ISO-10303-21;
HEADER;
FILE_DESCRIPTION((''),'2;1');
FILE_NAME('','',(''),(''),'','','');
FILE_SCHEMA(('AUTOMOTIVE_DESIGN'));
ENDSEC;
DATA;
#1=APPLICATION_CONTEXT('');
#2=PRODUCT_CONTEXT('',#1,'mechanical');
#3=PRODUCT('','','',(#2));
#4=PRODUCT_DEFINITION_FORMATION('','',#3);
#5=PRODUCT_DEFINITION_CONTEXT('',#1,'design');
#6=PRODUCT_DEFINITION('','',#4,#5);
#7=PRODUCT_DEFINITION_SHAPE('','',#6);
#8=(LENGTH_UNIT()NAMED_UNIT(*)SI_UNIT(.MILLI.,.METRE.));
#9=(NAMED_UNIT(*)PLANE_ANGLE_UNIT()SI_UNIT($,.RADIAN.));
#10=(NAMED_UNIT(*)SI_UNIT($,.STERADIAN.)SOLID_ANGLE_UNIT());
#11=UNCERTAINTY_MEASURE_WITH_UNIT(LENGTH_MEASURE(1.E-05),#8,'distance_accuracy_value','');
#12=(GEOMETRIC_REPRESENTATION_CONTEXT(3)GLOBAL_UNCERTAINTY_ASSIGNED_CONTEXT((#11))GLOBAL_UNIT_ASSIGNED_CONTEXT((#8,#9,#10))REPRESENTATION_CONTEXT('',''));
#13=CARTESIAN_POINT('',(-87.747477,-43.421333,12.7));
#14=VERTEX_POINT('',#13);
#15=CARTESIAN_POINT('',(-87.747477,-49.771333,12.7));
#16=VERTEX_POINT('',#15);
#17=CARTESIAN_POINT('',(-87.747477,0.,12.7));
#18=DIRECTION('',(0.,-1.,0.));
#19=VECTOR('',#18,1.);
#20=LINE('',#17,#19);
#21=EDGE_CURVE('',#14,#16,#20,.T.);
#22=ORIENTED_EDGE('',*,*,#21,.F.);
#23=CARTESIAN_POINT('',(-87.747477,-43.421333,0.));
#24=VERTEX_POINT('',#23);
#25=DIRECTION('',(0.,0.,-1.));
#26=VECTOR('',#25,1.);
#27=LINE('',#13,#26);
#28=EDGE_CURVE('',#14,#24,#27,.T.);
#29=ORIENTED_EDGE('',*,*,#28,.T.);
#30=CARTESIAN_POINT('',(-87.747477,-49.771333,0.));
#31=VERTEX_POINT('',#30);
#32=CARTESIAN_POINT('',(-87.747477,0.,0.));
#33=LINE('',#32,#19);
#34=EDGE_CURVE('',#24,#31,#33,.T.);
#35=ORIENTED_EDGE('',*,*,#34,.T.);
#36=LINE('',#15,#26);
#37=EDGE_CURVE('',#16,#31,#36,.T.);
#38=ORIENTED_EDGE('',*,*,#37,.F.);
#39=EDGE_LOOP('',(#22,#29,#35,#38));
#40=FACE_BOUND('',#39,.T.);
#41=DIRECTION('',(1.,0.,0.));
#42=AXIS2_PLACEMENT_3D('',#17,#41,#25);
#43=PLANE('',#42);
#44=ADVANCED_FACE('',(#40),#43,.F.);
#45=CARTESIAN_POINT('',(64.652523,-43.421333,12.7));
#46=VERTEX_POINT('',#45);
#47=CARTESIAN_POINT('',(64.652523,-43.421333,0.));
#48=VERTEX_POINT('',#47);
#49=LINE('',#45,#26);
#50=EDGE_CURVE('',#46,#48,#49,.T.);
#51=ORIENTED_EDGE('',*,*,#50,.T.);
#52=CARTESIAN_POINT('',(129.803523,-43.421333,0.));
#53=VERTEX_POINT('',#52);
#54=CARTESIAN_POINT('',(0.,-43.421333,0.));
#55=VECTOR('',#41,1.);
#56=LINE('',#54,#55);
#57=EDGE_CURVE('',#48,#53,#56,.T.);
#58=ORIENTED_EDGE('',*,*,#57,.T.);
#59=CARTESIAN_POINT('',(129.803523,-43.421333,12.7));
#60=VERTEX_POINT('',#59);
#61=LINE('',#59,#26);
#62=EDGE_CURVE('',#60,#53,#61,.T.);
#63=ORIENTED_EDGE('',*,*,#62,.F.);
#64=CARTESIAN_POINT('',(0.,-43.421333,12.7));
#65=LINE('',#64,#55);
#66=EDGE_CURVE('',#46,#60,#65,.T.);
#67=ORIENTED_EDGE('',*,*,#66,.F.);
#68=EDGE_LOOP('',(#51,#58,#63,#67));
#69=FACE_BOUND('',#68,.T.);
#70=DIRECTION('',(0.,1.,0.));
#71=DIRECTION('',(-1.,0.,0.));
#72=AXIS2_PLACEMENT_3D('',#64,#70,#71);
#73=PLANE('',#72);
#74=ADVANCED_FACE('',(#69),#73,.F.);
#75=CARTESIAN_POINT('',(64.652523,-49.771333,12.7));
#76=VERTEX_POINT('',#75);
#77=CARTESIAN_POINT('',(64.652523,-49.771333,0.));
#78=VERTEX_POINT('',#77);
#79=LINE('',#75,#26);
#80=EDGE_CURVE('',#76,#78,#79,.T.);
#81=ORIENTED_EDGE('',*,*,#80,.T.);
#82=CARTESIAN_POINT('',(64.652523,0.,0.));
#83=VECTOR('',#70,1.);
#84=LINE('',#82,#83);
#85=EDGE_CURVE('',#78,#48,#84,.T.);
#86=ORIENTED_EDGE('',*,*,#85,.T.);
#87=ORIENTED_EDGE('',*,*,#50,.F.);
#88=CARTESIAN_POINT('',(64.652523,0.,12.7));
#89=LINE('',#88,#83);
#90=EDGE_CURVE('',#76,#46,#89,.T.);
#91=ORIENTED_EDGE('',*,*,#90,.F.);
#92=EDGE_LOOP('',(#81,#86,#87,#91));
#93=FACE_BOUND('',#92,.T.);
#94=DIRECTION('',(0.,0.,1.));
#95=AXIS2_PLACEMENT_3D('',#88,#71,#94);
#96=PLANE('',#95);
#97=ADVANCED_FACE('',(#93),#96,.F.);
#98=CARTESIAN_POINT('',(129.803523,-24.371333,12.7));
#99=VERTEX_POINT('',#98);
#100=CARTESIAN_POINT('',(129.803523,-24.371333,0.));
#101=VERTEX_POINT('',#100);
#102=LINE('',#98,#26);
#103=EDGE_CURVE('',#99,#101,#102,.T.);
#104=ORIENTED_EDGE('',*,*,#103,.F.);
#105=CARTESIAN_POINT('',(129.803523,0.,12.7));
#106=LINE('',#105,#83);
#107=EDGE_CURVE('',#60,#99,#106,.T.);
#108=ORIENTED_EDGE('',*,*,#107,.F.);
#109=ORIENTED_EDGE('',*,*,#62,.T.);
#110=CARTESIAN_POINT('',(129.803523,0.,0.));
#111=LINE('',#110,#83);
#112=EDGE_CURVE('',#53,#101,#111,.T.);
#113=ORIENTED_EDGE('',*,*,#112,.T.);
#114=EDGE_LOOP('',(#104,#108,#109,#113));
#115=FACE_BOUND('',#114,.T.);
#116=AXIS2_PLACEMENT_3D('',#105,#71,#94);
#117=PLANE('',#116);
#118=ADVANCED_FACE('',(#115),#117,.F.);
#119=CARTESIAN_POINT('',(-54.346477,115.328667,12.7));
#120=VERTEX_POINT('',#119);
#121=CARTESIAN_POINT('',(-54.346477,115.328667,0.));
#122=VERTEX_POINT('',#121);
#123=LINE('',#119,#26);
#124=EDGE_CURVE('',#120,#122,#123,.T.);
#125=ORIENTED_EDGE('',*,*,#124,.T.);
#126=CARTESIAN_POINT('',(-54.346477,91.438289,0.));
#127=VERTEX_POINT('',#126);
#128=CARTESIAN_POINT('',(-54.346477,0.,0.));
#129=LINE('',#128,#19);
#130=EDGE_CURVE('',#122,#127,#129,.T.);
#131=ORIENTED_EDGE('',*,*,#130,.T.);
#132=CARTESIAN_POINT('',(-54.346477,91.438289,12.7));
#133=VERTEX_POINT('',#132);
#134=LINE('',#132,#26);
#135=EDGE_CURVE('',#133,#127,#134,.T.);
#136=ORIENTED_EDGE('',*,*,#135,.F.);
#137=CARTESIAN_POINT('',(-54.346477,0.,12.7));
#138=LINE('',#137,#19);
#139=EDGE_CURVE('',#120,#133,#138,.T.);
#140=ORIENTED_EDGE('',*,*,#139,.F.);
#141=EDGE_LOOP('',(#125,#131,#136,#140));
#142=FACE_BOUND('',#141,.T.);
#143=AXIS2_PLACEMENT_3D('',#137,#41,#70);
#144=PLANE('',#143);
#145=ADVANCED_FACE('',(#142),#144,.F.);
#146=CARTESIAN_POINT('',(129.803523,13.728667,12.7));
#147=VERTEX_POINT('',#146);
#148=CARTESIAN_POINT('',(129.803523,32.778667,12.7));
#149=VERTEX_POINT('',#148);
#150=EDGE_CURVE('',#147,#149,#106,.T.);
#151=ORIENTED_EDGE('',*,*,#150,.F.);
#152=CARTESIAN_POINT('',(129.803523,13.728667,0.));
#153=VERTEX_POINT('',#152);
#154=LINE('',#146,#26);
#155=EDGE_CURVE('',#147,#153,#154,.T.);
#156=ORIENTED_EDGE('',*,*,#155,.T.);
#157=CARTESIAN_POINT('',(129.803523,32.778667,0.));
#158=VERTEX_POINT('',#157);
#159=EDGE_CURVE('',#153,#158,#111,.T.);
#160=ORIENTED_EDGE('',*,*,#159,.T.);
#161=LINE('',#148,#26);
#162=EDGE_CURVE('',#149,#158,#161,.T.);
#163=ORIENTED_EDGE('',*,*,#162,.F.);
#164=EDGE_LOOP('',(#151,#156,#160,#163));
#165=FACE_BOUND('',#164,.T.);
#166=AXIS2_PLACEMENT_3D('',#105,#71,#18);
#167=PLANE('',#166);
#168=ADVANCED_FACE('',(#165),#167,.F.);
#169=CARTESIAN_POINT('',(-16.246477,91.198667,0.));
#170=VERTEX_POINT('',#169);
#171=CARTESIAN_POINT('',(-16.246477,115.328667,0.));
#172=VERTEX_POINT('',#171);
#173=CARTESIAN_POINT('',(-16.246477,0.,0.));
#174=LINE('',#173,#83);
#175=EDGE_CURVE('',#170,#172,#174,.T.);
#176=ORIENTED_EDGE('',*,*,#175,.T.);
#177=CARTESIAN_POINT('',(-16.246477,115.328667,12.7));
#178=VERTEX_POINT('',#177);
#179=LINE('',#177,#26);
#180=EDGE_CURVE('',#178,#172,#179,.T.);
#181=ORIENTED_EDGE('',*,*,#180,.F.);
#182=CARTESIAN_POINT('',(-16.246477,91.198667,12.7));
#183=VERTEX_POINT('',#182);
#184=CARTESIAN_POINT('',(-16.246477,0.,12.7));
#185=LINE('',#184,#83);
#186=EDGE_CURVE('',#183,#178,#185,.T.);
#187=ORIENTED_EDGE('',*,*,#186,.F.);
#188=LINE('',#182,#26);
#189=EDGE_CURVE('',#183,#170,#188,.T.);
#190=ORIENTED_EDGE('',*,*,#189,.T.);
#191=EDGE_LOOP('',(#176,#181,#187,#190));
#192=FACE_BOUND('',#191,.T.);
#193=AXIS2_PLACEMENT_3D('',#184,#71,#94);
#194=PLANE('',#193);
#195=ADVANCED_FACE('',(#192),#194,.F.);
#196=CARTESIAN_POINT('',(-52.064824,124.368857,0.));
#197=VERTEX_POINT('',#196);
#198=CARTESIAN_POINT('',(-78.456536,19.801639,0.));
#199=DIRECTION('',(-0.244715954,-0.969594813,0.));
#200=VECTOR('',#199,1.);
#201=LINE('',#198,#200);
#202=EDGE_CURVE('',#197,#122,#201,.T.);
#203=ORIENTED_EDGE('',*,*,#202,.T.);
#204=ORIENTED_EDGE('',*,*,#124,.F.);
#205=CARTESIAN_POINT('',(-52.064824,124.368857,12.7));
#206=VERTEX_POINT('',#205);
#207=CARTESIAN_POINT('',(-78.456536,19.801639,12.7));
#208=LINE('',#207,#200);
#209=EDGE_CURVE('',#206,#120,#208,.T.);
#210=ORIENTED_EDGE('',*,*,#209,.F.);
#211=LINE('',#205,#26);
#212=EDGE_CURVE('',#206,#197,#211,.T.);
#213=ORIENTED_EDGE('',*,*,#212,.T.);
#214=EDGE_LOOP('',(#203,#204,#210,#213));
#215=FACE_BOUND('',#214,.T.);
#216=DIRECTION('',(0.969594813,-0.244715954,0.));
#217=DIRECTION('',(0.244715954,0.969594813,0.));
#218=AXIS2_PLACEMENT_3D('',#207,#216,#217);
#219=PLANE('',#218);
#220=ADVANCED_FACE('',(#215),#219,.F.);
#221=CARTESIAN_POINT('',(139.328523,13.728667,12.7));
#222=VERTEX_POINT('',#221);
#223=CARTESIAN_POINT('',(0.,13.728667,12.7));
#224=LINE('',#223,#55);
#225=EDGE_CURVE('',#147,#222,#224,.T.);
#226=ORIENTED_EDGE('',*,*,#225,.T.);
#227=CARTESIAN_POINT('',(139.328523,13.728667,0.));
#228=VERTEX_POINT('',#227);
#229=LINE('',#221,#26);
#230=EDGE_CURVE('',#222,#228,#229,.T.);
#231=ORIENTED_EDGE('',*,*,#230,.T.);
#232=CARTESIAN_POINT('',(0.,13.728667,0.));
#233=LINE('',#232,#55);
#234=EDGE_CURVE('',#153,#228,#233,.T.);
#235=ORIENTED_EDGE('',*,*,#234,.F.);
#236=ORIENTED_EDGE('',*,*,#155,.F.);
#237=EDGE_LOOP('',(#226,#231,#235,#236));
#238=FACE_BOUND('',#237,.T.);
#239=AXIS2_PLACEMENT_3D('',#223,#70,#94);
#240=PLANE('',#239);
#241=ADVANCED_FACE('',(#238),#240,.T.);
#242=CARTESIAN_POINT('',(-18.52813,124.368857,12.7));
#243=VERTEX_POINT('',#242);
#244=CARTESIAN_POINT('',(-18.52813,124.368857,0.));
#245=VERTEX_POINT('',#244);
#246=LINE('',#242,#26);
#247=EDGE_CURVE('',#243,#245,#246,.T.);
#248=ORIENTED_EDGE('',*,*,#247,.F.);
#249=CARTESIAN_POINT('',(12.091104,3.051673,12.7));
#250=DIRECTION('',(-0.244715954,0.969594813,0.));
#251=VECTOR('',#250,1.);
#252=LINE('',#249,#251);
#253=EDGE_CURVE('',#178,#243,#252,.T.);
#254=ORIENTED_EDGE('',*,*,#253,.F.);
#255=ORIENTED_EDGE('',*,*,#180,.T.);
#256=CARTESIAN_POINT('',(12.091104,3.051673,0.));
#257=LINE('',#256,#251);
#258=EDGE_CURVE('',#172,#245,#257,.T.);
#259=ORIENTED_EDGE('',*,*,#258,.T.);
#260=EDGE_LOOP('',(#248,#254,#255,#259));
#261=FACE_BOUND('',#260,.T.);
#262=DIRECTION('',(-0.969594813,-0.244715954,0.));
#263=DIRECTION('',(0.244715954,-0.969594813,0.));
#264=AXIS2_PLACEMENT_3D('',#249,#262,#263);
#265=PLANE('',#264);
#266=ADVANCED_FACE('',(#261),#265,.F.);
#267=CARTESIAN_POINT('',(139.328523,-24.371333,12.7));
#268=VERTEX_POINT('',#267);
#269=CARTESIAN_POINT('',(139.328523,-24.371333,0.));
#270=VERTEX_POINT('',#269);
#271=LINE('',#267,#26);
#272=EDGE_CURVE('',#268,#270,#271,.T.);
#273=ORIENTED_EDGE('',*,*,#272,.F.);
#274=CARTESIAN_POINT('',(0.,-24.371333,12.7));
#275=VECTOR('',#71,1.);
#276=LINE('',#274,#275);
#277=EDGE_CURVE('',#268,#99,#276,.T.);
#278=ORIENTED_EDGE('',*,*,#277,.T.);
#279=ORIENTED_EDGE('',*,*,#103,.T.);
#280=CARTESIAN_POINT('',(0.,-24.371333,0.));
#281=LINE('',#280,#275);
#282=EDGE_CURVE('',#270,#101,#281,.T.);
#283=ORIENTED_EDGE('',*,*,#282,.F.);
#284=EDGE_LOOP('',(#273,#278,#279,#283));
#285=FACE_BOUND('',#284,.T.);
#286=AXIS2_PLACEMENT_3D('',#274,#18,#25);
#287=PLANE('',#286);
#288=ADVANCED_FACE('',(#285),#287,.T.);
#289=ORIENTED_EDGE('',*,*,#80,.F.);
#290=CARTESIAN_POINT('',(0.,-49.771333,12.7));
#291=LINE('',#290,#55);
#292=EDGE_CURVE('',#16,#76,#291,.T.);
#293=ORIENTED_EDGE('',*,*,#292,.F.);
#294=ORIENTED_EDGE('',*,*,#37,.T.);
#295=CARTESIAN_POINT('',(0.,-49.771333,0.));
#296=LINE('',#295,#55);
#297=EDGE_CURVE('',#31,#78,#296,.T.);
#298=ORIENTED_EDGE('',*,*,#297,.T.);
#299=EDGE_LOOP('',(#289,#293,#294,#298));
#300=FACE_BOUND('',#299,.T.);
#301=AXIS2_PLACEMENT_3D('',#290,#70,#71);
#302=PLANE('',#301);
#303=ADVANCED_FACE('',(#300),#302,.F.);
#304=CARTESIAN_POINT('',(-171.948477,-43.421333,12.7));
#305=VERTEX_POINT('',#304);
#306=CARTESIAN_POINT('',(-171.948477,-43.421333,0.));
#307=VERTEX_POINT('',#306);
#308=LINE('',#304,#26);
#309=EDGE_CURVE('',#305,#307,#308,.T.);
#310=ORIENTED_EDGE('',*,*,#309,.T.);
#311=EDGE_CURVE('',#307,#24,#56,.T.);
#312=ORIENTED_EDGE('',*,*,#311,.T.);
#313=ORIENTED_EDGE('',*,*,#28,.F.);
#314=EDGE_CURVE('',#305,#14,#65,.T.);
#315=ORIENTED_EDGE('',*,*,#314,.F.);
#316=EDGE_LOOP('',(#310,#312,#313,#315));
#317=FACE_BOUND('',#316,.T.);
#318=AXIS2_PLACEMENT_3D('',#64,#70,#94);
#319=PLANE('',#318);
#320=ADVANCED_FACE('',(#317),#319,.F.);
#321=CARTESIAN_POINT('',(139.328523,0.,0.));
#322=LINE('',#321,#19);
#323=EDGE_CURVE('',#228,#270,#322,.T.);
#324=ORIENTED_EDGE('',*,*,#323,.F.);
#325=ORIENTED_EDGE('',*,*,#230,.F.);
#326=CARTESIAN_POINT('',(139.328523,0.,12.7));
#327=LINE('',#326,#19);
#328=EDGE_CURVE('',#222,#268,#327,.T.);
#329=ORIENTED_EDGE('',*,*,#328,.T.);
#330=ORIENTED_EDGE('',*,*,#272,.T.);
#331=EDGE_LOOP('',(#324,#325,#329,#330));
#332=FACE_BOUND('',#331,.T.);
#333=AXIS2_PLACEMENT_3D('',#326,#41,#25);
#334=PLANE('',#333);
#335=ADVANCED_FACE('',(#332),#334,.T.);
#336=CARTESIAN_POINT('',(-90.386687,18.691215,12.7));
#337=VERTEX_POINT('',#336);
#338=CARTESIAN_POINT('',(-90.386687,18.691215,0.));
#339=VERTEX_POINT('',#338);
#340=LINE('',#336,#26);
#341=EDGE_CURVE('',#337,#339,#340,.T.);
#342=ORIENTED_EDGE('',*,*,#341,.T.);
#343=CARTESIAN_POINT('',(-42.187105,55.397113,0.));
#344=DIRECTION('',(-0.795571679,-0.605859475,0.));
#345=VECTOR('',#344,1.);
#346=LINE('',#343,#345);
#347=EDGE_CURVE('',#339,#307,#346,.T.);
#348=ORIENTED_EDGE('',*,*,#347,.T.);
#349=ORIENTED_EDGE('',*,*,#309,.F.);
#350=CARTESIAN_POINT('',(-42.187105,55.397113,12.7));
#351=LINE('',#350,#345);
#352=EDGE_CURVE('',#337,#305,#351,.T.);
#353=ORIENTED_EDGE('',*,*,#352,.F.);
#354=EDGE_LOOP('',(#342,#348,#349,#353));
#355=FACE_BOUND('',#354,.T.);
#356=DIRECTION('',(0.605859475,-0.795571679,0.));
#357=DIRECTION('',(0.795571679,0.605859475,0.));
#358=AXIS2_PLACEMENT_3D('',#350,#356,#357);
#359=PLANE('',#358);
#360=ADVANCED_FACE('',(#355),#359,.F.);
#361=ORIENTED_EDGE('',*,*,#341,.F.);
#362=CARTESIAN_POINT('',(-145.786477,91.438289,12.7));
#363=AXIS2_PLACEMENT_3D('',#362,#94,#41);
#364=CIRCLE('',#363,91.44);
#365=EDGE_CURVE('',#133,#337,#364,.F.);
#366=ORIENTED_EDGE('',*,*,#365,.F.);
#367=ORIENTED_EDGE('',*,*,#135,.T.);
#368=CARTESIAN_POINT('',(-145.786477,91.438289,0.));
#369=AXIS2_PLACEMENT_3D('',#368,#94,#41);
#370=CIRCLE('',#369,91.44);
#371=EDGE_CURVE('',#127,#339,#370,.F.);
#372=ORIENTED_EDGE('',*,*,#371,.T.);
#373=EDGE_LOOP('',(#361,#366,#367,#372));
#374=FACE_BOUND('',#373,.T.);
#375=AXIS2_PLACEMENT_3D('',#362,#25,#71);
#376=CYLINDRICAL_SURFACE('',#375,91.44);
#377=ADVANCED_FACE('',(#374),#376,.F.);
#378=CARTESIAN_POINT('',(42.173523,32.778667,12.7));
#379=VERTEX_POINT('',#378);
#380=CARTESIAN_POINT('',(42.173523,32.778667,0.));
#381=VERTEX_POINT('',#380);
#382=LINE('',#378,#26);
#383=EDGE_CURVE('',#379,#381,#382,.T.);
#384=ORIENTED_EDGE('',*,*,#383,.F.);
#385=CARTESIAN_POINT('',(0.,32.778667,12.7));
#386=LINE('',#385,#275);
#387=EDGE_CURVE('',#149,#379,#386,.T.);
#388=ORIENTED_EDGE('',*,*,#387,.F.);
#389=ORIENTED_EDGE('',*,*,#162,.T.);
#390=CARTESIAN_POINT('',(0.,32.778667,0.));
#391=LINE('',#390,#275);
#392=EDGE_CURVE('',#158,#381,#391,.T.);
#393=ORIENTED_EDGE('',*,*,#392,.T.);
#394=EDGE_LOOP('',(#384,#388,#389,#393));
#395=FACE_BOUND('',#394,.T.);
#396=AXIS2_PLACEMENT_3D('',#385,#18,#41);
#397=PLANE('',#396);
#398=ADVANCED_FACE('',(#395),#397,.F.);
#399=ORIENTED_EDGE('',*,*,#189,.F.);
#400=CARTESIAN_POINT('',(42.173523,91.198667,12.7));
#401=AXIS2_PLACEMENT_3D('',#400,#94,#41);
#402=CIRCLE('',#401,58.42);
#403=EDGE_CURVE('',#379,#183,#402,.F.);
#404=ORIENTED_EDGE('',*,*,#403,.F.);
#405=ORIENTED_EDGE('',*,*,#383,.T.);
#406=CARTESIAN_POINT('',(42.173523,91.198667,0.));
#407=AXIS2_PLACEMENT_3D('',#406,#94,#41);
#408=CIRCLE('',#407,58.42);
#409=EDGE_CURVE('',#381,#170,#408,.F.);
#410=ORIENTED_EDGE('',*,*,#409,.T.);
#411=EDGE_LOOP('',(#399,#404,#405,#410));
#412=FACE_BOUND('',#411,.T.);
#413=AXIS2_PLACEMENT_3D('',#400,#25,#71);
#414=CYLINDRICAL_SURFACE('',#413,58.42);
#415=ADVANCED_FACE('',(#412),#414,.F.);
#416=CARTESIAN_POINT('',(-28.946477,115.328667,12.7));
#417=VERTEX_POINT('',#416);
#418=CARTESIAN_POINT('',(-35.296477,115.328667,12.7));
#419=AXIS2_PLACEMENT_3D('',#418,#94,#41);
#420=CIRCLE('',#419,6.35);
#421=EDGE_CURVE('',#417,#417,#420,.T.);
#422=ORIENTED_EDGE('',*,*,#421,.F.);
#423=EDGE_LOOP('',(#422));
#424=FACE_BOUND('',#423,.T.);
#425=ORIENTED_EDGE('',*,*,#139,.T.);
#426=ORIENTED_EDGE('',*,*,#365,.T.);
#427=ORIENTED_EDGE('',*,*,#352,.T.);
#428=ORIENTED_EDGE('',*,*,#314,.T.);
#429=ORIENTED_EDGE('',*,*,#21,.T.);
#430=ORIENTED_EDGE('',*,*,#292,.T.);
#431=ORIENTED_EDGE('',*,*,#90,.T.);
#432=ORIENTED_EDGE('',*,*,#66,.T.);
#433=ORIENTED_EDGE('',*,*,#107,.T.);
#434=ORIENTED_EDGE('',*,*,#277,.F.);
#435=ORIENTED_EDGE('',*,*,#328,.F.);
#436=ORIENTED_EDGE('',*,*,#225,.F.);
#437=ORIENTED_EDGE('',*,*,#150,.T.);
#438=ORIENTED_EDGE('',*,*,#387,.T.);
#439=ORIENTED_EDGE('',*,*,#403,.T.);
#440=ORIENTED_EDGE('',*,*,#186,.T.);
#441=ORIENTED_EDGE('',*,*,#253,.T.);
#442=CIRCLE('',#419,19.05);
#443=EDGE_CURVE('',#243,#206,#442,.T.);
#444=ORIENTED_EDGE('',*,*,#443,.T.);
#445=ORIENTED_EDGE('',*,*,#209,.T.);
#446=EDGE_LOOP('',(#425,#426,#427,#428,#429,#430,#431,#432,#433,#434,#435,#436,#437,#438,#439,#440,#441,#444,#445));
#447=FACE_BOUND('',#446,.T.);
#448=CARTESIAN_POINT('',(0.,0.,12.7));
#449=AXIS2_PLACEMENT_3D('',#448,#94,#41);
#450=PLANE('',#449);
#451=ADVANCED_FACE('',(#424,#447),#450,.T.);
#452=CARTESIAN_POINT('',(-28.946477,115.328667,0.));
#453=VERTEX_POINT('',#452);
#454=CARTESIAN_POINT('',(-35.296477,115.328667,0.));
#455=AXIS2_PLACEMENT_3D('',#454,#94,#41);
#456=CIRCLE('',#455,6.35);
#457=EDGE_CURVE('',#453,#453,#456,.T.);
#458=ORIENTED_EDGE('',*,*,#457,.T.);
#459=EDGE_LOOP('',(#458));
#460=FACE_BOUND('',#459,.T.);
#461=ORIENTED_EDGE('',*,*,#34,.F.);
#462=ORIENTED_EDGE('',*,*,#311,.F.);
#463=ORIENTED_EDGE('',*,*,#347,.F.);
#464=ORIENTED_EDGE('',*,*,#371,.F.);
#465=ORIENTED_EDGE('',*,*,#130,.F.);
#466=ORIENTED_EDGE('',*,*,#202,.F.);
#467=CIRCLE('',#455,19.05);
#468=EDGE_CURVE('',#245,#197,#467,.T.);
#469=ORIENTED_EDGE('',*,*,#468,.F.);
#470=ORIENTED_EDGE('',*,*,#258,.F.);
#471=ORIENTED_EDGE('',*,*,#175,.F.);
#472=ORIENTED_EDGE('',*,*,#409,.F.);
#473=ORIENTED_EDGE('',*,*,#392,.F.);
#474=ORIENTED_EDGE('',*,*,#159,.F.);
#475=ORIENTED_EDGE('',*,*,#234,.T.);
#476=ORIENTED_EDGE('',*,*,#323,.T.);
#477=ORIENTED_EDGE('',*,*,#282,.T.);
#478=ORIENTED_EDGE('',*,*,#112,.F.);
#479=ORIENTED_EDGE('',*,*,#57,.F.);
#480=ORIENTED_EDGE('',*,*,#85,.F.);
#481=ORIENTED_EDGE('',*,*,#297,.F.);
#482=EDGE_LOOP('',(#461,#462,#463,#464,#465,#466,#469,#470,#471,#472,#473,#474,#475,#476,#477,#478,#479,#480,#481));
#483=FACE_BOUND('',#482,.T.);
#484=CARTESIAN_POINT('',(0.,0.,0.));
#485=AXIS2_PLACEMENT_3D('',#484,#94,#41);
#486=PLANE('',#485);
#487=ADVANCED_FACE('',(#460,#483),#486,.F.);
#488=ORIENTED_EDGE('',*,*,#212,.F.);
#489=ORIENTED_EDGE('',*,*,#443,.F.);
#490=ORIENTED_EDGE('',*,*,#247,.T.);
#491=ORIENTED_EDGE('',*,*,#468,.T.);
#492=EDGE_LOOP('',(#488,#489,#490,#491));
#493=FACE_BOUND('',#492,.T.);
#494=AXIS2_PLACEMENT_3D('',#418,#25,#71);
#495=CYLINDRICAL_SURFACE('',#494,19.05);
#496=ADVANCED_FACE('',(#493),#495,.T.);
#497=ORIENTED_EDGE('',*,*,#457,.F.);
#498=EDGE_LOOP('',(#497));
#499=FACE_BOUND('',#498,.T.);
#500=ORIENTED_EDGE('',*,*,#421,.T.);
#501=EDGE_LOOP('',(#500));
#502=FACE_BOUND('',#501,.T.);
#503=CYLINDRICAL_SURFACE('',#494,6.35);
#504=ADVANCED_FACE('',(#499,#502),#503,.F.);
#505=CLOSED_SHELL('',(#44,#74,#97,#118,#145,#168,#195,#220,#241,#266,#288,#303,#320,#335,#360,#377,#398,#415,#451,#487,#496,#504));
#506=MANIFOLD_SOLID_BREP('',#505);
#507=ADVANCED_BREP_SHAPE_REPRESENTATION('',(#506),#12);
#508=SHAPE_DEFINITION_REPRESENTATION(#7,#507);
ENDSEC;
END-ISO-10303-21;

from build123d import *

# Parameters (mm, degrees)
SKETCH1_R           = 6.35
BOSS_EXTRUDE1_DEPTH = 12.7


with BuildPart() as part:
    # Sketch1 → Boss-Extrude1 (new body)
    with BuildSketch(Plane.XY):
        with BuildLine():
            Line((129.803523023, 13.72866743), (129.803523023, 32.77866743))
            Line((129.803523023, 32.77866743), (104.403523023, 32.77866743))
            Line((104.403523023, 32.77866743), (89.290523023, 32.77866743))
            Line((89.290523023, 32.77866743), (51.190523023, 32.77866743))
            Line((51.190523023, 32.77866743), (44.078523023, 32.77866743))
            Line((44.078523023, 32.77866743), (42.173523023, 32.77866743))
            ThreePointArc((42.173523023, 32.77866743), (0.864344867, 49.889489273), (-16.246476977, 91.19866743))
            Line((-16.246476977, 91.19866743), (-16.246476977, 115.32866743))
            Line((-16.246476977, 115.32866743), (-18.528129693, 124.368857105))
            ThreePointArc((-18.528129693, 124.368857105), (-35.296476977, 134.37866743), (-52.064824261, 124.368857105))
            Line((-52.064824261, 124.368857105), (-54.346476977, 115.32866743))
            Line((-54.346476977, 115.32866743), (-54.346476977, 91.438289009))
            ThreePointArc((-54.346476977, 91.438289009), (-63.850433524, 50.845698757), (-90.386686587, 18.691214671))
            Line((-90.386686587, 18.691214671), (-171.948476977, -43.42133257))
            Line((-171.948476977, -43.42133257), (-87.747476977, -43.42133257))
            Line((-87.747476977, -43.42133257), (-87.747476977, -49.77133257))
            Line((-87.747476977, -49.77133257), (-61.229320991, -49.77133257))
            Line((-61.229320991, -49.77133257), (-16.694588765, -49.77133257))
            Line((-16.694588765, -49.77133257), (64.652523023, -49.77133257))
            Line((64.652523023, -49.77133257), (64.652523023, -43.42133257))
            Line((64.652523023, -43.42133257), (129.803523023, -43.42133257))
            Line((129.803523023, -43.42133257), (129.803523023, -24.37133257))
            Line((129.803523023, -24.37133257), (139.328523023, -24.37133257))
            Line((139.328523023, -24.37133257), (139.328523023, 13.72866743))
            Line((139.328523023, 13.72866743), (129.803523023, 13.72866743))
        make_face()
        with Locations((-35.296476977, 115.32866743)):
            Circle(SKETCH1_R, mode=Mode.SUBTRACT)
    extrude(amount=BOSS_EXTRUDE1_DEPTH)


solid = part.part
